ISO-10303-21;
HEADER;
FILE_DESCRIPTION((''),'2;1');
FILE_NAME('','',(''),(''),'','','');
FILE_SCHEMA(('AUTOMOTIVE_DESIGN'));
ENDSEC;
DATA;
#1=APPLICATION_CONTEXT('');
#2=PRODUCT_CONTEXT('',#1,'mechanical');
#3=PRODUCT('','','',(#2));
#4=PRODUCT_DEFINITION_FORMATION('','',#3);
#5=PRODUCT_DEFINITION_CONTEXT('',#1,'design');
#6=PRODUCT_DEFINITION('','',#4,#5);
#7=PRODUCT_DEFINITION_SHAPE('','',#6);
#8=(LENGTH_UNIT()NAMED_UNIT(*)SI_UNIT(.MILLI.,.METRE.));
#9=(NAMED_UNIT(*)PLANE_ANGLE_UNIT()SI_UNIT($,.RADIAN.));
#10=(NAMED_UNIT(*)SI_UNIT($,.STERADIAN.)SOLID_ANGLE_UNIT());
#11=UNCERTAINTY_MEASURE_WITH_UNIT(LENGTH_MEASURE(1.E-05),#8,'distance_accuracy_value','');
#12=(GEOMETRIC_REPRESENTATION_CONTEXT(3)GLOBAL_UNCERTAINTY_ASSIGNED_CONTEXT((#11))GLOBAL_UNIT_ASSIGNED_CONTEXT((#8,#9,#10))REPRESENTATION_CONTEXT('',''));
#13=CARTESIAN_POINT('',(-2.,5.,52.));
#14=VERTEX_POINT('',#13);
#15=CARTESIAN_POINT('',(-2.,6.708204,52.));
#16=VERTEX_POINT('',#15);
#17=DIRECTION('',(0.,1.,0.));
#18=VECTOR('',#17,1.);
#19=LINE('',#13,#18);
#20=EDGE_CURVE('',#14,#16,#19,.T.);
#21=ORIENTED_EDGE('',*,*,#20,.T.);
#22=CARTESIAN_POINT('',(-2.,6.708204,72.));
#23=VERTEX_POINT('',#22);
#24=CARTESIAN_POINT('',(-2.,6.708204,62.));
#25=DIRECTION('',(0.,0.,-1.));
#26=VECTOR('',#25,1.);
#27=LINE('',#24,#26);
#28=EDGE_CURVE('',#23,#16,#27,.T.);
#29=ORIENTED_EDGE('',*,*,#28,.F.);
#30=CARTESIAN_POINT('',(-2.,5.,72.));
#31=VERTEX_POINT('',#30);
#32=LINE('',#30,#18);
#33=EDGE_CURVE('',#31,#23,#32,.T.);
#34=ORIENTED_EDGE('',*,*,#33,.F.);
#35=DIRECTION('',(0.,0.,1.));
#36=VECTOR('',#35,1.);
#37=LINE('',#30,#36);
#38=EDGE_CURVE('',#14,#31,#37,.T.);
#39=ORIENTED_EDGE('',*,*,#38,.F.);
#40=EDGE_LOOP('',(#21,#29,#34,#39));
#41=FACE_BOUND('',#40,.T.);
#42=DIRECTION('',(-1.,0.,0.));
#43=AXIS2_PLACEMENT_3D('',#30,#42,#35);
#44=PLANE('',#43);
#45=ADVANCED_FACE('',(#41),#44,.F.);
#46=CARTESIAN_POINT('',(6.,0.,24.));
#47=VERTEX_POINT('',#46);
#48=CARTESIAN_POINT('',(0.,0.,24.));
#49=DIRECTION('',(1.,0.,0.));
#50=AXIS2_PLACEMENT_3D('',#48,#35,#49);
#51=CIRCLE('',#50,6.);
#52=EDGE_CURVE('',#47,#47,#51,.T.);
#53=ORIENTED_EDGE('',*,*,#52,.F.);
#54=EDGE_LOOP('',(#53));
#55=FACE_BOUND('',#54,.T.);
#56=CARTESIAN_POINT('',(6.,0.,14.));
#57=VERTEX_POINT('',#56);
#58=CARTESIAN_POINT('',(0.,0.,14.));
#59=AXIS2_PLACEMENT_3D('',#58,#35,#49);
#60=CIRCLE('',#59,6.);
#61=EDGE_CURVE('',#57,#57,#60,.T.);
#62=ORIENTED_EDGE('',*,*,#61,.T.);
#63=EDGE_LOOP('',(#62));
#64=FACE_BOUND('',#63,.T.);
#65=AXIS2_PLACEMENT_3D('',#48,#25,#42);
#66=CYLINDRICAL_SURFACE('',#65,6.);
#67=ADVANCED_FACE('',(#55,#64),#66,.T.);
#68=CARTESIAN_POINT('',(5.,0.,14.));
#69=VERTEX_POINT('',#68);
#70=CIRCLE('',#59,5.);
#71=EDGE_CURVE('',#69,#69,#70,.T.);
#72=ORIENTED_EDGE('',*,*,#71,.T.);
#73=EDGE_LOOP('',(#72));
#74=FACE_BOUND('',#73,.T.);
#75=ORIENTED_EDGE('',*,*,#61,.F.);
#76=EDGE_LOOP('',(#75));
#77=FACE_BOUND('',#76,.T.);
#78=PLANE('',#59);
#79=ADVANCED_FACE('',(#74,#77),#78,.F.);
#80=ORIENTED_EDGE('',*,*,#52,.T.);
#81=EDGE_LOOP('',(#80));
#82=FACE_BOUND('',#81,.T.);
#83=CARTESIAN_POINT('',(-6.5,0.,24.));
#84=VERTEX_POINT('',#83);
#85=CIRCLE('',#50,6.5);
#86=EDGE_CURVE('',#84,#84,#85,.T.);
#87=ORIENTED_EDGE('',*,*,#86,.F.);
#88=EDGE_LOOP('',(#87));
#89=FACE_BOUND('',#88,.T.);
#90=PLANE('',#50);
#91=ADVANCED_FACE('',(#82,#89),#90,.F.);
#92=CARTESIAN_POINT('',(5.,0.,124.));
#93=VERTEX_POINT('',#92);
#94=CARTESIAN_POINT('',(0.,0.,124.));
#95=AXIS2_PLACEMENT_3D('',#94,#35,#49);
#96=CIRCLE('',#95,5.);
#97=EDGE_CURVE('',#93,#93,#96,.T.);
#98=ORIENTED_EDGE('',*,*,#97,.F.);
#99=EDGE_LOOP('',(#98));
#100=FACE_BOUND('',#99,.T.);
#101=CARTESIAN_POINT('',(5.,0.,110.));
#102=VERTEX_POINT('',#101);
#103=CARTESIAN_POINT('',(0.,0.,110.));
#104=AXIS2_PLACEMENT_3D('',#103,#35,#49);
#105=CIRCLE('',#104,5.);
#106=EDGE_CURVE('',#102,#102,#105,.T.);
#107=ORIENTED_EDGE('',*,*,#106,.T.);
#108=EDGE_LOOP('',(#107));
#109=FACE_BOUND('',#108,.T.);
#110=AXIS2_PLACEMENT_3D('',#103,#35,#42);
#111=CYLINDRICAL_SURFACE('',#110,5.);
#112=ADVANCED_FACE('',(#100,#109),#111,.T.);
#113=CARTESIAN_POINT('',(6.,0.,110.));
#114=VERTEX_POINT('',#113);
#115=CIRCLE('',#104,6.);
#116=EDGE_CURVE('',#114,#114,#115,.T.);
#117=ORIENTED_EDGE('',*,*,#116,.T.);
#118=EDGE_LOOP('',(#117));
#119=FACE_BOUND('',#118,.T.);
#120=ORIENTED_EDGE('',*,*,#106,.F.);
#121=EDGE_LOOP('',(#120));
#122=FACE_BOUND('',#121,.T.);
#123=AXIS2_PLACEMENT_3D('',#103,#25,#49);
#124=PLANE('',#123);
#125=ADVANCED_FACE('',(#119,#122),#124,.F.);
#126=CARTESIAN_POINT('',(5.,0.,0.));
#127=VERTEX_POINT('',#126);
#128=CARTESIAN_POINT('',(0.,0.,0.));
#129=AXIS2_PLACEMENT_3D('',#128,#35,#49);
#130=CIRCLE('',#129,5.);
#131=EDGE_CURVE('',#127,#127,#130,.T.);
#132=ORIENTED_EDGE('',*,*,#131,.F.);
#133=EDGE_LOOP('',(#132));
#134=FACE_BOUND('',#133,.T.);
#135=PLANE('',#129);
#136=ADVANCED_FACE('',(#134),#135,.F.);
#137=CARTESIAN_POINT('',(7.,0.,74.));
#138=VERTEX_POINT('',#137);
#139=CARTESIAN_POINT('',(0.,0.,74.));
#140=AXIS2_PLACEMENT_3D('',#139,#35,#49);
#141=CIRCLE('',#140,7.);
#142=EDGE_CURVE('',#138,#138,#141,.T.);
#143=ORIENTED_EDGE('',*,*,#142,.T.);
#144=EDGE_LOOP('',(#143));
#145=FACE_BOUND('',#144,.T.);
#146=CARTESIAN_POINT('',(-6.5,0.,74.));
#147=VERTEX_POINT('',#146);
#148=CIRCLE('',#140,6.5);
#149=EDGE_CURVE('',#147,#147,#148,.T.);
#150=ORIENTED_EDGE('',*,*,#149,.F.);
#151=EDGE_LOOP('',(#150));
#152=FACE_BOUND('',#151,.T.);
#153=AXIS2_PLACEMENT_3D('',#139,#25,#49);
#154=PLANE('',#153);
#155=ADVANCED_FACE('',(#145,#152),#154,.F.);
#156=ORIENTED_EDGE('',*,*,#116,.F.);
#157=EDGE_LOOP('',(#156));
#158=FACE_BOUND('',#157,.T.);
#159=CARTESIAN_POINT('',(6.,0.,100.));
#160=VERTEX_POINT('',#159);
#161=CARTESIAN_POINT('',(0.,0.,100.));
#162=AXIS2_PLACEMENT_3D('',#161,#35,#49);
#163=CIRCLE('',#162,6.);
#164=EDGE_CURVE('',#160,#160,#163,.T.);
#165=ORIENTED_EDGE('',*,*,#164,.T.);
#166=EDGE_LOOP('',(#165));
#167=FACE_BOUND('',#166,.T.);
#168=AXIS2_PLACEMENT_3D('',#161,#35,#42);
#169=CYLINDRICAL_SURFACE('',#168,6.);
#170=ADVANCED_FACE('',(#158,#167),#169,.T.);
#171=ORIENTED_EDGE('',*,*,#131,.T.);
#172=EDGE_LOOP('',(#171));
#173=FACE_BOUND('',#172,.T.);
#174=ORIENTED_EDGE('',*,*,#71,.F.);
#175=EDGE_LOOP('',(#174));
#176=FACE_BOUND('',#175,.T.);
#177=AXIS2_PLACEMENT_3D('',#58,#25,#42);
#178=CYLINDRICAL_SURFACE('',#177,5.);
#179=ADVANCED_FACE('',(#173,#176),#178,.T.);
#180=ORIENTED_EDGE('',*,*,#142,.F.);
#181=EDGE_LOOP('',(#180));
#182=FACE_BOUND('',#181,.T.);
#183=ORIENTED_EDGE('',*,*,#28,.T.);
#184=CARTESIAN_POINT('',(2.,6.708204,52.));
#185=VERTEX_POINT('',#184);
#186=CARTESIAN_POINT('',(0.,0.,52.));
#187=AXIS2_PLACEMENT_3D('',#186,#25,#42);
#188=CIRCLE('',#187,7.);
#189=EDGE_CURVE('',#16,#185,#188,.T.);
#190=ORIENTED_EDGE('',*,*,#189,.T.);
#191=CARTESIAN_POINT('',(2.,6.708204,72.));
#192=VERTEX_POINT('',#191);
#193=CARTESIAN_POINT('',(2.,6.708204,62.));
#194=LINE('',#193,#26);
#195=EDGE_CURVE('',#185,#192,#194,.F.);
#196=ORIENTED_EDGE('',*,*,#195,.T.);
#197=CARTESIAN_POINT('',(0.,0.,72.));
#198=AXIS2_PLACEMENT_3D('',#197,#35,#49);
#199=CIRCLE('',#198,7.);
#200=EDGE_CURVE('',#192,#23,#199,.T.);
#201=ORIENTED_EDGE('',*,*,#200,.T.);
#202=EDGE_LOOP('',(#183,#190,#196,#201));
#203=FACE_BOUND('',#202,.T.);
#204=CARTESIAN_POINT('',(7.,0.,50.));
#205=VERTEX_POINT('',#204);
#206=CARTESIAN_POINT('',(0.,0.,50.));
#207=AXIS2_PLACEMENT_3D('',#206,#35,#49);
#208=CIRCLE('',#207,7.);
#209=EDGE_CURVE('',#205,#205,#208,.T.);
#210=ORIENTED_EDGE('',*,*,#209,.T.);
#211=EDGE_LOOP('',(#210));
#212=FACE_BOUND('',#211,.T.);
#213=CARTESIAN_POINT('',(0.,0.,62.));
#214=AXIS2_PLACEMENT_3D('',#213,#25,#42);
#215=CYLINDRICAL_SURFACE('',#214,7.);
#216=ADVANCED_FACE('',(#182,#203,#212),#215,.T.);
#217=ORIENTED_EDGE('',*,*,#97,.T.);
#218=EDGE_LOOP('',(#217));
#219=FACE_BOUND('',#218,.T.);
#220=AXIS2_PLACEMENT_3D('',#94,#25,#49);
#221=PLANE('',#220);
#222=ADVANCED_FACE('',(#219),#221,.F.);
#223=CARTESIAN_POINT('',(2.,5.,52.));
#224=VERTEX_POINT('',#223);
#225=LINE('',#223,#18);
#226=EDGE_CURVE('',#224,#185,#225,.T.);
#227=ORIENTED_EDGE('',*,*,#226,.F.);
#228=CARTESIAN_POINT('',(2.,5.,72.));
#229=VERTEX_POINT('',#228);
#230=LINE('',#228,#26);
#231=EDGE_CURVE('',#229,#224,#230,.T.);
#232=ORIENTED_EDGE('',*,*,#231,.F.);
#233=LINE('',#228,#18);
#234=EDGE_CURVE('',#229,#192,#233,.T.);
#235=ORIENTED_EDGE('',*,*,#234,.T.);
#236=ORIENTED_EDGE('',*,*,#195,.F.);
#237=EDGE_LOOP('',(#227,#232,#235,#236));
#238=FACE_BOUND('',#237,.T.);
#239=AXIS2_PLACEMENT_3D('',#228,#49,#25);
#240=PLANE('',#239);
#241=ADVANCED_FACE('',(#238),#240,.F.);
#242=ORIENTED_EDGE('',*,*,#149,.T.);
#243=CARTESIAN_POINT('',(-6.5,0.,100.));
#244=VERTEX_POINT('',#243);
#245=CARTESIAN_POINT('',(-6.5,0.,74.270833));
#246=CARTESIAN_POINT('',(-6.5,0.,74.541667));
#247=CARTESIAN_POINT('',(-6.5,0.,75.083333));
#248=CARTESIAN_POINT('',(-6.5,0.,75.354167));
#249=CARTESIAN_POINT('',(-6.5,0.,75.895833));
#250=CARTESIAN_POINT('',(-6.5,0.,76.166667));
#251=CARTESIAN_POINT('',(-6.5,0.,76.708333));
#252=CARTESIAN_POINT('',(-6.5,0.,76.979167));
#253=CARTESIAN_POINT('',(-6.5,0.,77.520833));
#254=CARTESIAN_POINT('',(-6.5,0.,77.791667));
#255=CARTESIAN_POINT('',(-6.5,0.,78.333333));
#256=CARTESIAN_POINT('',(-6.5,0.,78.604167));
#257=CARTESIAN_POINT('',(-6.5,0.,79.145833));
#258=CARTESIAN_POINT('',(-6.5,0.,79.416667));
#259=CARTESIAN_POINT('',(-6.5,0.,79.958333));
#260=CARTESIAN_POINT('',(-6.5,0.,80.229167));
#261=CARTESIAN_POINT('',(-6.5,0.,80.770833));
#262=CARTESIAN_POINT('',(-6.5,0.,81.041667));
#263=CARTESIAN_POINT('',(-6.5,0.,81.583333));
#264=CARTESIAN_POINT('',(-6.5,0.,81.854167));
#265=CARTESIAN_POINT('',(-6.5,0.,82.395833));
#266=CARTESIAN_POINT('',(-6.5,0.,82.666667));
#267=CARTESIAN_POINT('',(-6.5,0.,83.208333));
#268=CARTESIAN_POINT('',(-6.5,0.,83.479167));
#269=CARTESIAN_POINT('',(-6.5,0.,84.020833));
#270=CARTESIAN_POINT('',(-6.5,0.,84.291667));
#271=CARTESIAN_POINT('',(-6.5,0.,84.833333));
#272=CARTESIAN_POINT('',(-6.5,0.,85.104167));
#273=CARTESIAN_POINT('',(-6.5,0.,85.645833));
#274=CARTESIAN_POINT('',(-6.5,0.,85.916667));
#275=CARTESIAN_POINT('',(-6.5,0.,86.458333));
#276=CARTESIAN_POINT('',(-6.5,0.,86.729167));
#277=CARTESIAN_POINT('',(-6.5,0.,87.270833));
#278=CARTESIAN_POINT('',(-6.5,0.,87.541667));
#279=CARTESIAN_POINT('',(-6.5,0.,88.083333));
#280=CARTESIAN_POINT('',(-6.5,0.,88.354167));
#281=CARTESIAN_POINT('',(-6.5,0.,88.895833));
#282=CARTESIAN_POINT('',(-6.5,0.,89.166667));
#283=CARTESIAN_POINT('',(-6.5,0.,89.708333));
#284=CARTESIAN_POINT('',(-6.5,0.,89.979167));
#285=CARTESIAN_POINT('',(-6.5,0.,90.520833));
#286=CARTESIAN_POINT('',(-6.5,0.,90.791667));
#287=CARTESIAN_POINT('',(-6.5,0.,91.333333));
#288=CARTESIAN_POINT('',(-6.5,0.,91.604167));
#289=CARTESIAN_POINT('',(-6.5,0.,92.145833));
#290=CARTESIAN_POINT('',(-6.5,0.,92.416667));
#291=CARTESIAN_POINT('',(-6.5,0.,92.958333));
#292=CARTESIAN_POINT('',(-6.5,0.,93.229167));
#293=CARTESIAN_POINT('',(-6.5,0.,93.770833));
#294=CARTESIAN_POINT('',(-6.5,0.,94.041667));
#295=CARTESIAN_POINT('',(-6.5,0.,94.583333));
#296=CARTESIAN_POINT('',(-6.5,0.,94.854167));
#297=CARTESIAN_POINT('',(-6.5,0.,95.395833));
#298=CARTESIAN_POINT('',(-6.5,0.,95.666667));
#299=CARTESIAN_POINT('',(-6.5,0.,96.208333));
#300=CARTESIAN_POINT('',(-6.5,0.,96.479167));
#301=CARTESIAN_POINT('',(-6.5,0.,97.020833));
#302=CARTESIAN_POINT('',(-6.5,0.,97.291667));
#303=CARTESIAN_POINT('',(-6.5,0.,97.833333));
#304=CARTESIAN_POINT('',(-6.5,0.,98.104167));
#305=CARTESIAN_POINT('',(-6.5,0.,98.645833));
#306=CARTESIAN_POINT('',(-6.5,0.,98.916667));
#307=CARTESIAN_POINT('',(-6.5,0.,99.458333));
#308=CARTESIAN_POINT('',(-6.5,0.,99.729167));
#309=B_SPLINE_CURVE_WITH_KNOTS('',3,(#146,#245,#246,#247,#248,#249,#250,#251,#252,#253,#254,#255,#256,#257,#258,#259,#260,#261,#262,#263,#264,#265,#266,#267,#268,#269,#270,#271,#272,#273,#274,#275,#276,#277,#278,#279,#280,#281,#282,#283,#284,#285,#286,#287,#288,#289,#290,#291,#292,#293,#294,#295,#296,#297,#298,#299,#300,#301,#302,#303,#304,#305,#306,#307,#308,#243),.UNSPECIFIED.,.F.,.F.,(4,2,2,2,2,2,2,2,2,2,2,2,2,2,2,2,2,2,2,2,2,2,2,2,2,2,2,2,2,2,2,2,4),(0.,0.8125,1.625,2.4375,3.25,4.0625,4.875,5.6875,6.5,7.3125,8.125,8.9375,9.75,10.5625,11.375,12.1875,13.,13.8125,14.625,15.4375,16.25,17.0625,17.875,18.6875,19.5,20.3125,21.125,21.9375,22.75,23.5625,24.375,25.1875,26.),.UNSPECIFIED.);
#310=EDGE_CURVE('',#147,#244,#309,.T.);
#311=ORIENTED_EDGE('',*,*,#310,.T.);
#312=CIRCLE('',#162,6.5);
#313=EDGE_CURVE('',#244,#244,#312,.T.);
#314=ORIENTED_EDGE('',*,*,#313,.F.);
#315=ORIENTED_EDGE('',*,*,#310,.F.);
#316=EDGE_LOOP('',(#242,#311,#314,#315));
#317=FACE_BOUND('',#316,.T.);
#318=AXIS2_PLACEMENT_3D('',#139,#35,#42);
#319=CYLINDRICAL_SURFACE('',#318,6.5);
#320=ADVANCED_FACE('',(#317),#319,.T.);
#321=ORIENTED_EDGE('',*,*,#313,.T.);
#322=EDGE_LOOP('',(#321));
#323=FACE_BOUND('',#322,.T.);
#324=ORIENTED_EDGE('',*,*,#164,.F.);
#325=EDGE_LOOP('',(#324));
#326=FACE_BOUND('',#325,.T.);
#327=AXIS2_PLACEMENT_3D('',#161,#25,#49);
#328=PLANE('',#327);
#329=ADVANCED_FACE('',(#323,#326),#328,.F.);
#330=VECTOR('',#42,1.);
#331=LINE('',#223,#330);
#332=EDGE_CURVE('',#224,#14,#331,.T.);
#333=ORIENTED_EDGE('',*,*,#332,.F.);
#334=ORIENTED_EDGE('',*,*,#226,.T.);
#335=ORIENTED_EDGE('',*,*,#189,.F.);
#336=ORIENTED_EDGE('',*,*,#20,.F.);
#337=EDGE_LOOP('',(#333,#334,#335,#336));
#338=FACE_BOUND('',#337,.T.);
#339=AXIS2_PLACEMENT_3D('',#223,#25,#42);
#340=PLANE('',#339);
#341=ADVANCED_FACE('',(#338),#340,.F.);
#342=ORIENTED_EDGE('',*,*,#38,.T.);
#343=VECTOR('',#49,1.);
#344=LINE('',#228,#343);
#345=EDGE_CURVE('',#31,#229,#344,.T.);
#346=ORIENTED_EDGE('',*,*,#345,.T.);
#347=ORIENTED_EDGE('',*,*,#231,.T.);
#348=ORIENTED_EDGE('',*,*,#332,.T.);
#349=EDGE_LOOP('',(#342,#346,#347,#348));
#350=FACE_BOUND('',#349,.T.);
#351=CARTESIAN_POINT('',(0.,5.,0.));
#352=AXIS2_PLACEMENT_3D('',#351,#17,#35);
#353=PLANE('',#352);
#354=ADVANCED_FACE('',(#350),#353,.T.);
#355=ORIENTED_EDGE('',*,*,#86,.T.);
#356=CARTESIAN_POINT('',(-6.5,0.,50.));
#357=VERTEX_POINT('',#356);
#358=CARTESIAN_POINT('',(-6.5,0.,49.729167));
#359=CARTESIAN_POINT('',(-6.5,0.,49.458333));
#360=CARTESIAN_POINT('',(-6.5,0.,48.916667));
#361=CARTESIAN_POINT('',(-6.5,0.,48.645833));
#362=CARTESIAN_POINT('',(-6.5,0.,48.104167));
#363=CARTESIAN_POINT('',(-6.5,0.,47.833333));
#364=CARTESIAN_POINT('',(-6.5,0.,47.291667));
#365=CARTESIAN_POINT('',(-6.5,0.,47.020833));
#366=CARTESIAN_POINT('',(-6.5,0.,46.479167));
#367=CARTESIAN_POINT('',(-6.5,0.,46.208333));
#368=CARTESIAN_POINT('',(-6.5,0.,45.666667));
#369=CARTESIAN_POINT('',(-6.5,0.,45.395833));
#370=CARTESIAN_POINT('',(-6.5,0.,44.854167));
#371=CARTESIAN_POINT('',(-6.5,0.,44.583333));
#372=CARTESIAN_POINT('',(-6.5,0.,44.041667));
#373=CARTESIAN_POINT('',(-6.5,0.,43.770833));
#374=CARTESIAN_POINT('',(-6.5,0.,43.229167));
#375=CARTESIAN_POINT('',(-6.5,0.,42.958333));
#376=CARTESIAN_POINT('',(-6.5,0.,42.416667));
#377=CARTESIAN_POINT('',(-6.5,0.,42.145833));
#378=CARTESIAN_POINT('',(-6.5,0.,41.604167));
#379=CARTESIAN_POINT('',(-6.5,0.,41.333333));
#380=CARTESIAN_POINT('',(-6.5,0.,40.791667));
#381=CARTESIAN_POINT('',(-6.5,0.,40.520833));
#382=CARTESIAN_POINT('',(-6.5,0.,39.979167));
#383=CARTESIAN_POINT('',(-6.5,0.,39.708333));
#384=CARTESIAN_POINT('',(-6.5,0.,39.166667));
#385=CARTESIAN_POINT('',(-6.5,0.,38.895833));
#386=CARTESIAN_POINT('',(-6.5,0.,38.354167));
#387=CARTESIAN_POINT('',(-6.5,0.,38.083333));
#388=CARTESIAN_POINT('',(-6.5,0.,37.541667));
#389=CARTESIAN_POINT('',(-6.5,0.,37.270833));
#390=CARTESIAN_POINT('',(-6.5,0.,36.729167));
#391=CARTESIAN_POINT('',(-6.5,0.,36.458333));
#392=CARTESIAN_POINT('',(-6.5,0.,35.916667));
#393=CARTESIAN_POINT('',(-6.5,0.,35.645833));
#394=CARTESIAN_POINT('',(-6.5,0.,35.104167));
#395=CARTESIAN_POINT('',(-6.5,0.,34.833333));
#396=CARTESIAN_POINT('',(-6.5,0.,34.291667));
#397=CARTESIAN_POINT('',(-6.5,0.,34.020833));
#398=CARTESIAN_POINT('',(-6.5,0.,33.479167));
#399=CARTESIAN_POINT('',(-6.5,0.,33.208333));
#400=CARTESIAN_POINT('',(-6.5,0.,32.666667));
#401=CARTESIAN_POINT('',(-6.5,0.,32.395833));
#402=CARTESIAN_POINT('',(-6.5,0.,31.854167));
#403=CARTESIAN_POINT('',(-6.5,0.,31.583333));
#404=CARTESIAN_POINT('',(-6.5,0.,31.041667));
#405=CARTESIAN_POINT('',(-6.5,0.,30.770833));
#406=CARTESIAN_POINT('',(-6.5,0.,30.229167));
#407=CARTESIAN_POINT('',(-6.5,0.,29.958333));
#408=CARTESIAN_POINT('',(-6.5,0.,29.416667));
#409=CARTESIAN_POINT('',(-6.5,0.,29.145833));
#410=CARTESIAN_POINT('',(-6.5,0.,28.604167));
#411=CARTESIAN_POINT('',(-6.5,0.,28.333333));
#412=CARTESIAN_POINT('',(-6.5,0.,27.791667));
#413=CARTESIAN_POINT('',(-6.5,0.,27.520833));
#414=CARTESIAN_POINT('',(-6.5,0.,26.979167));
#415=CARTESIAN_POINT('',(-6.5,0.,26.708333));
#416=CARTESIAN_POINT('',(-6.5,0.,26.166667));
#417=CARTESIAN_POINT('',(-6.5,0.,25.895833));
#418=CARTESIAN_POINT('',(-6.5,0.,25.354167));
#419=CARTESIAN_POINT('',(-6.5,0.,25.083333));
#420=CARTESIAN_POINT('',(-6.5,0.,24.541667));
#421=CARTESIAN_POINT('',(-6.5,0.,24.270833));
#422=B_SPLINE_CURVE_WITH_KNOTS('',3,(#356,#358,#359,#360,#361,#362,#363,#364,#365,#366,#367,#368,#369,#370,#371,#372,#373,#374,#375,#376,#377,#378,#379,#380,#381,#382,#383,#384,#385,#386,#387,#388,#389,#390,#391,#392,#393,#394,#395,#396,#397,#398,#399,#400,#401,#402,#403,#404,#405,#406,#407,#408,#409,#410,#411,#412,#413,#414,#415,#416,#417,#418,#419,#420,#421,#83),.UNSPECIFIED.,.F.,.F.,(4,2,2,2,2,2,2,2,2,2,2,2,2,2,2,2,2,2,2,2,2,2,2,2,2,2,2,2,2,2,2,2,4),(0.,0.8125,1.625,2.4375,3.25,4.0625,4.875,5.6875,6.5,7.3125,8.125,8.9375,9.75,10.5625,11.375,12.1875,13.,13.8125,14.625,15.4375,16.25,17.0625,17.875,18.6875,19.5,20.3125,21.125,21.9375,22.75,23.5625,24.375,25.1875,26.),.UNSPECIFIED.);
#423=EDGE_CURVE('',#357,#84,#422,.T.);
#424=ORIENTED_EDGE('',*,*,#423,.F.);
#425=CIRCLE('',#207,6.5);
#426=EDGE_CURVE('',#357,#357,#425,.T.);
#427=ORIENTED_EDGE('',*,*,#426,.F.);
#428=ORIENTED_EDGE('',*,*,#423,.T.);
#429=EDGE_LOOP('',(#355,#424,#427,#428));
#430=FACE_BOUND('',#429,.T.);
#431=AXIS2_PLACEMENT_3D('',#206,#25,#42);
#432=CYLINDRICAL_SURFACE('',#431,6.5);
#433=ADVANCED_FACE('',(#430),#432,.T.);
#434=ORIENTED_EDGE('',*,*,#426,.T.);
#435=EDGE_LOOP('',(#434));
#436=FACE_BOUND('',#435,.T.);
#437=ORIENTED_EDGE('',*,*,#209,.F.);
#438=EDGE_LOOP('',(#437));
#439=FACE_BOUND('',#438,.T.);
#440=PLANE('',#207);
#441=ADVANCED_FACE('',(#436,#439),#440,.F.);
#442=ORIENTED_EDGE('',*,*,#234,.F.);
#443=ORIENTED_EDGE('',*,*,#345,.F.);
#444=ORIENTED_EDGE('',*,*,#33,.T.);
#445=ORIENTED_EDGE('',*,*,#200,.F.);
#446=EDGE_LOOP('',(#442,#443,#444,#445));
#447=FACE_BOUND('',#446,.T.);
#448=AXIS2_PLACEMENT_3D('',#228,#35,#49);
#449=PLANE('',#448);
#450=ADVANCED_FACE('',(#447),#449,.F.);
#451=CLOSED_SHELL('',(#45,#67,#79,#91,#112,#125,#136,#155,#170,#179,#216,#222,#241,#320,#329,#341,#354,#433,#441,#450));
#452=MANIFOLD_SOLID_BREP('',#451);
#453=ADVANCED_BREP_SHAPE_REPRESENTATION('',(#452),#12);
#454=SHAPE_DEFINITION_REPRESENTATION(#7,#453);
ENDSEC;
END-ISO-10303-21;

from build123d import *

# Parameters (mm, degrees)
SKETCH1_R           = 5
BOSS_EXTRUDE1_DEPTH = 14
SKETCH2_R           = 6
BOSS_EXTRUDE2_DEPTH = 10
SKETCH3_R           = 6.5
BOSS_EXTRUDE3_DEPTH = 26
SKETCH4_R           = 7
BOSS_EXTRUDE4_DEPTH = 12
SKETCH5_W           = 4
SKETCH5_H           = 20
CUT_EXTRUDE2_DEPTH  = 2


with BuildPart() as part:
    # Sketch1 → Boss-Extrude1 (new body)
    with BuildSketch(Plane(origin=(0, 0, 0), x_dir=(0, 1, 0), z_dir=(0, 0, 1))):
        with Locations(Location((0, 0, 0), (0, 0, 270))):
            Circle(SKETCH1_R)
    extrude(amount=BOSS_EXTRUDE1_DEPTH)

    # Sketch2 → Boss-Extrude2 (add)
    with BuildSketch(Plane.XY.offset(14)):
        Circle(SKETCH2_R)
    extrude(amount=BOSS_EXTRUDE2_DEPTH)

    # Sketch3 → Boss-Extrude3 (add)
    with BuildSketch(Plane.XY.offset(24)):
        with Locations(Location((0, 0, 0), (0, 0, 180))):
            Circle(SKETCH3_R)
    extrude(amount=BOSS_EXTRUDE3_DEPTH)

    # Sketch4 → Boss-Extrude4 (add)
    with BuildSketch(Plane.XY.offset(50)):
        Circle(SKETCH4_R)
    extrude(amount=BOSS_EXTRUDE4_DEPTH)

    # Mirror1: part across plane


with BuildPart() as part_1:
    add(part.part)
    add(part.part.mirror(Plane.XY.offset(62)))

    # Sketch5 → Cut-Extrude2 (cut)
    with BuildSketch(Plane(origin=(0, 7, 0), x_dir=(-1, 0, 0), z_dir=(0, 1, 0))):
        with Locations((0, 62)):
            Rectangle(SKETCH5_W, SKETCH5_H)
    extrude(amount=-CUT_EXTRUDE2_DEPTH, mode=Mode.SUBTRACT)


solid = part_1.part
